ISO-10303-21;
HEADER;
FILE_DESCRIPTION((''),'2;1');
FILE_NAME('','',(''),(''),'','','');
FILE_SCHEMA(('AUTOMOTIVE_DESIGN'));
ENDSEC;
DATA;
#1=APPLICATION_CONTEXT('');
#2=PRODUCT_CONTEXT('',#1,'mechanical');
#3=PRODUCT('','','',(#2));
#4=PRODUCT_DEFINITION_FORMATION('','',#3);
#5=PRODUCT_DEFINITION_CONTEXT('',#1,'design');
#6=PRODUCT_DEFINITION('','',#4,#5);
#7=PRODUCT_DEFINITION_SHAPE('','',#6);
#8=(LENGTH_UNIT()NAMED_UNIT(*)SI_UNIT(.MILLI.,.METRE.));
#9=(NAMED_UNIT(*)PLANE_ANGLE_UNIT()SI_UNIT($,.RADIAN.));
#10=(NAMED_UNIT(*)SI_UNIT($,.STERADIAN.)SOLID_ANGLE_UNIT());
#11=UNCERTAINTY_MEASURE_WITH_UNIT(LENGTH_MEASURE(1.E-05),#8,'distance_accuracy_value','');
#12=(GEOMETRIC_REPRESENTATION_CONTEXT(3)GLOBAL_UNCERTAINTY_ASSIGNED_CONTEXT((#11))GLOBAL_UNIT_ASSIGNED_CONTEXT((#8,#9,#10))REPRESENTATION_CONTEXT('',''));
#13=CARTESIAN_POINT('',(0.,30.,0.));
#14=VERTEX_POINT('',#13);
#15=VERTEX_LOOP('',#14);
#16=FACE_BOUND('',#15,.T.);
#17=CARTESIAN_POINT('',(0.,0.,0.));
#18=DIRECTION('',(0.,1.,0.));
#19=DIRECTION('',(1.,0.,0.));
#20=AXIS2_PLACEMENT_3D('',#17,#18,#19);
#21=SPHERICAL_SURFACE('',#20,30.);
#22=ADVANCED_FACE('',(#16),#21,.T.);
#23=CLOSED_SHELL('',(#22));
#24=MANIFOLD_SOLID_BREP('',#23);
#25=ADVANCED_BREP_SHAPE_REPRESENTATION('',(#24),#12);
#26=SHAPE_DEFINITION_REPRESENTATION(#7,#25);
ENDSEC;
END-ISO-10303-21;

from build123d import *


with BuildPart() as part:
    # Çizim1 → Döndür1 (revolve)
    with BuildSketch(Plane.XY):
        with BuildLine():
            Line((0, 30), (0, -30))
            ThreePointArc((0, -30), (30, 0), (0, 30))
        make_face()
    revolve(axis=Axis((0, 30, 0), (0, -1, 0)))


solid = part.part
